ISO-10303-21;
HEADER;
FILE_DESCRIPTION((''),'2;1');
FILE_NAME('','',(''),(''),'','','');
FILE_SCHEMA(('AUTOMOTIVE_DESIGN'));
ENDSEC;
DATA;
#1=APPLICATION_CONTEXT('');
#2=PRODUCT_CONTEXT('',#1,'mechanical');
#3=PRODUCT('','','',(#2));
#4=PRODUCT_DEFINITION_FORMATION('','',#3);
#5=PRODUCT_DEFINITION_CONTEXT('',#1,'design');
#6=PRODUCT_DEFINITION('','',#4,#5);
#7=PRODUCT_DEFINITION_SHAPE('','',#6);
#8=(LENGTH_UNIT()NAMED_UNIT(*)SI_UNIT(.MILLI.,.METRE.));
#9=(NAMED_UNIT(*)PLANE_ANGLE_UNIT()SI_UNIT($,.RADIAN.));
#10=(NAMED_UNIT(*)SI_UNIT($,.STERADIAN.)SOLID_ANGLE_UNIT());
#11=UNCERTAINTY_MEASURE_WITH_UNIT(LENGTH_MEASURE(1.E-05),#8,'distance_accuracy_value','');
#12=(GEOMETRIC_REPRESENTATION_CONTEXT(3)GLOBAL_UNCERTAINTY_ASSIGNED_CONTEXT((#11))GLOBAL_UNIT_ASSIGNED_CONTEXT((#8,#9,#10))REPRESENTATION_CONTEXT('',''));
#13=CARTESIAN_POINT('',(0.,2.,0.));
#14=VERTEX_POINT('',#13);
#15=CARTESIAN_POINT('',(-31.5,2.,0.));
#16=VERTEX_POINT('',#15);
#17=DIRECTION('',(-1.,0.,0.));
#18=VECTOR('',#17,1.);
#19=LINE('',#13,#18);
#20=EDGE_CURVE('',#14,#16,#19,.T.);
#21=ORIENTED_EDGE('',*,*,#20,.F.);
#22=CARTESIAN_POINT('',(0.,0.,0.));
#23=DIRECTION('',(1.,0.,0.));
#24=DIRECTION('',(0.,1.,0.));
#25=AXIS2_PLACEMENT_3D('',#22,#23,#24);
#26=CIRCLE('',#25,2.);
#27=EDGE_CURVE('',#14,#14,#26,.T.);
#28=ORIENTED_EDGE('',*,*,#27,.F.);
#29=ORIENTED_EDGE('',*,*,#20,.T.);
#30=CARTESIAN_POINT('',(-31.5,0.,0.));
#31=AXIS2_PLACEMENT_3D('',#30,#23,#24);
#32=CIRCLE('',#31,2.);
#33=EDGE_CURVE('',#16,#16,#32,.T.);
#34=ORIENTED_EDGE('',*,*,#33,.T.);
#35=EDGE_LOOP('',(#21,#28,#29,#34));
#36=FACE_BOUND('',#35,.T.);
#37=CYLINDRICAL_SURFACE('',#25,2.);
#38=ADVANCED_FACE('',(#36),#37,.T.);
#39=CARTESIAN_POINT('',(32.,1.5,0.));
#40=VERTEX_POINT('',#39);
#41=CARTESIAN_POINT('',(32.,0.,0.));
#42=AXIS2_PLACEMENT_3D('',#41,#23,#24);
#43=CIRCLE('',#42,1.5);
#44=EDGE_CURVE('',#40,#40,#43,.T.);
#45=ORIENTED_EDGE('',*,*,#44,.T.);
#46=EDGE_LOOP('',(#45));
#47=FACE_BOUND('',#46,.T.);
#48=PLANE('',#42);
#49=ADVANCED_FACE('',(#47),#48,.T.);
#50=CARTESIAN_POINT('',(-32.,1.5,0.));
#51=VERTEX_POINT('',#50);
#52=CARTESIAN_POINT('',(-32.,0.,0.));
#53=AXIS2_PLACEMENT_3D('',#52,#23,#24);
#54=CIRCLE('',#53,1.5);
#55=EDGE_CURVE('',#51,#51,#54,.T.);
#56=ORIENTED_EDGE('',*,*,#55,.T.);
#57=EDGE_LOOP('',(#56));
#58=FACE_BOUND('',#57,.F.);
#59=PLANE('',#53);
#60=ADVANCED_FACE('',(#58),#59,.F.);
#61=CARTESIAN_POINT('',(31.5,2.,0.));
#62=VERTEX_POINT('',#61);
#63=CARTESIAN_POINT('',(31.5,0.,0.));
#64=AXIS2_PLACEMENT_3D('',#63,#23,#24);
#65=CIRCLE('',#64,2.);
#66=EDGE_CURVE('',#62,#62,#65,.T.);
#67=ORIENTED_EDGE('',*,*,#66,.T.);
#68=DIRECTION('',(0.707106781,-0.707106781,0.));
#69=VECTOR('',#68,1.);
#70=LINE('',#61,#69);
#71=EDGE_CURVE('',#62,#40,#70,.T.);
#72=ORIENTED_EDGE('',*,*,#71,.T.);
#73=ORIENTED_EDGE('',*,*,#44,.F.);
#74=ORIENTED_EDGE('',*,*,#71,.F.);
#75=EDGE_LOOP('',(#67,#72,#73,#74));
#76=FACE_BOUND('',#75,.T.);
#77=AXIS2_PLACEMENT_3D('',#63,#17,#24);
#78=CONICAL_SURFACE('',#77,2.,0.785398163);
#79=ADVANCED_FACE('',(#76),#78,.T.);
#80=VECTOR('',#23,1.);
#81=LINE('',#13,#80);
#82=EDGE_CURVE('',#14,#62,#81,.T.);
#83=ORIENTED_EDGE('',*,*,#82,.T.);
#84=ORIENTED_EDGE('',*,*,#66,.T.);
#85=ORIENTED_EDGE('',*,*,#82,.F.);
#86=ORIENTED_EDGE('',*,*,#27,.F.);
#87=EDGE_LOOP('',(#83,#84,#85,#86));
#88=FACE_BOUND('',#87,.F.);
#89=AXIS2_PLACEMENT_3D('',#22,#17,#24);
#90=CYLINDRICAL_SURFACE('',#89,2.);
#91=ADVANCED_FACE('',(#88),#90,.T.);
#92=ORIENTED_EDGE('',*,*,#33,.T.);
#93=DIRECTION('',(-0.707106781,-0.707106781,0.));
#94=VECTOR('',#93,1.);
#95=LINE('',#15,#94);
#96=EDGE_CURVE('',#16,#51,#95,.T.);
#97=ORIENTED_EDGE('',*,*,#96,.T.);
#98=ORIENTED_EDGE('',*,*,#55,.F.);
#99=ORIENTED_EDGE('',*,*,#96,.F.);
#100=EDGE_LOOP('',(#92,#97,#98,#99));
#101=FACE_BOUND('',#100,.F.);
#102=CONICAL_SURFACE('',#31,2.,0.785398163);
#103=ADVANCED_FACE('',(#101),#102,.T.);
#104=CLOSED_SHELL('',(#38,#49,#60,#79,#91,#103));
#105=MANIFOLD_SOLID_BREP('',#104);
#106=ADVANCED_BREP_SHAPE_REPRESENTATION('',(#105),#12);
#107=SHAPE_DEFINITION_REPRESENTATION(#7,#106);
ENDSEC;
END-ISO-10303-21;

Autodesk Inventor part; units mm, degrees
ref_plane "YZ Plane" through (0, 0, 0) normal (1, 0, 0) x (0, 1, 0)
ref_plane "XZ Plane" through (0, 0, 0) normal (0, 1, 0) x (-1, 0, 0)
ref_plane "XY Plane" through (0, 0, 0) normal (0, 0, 1) x (1, 0, 0)
sketch "Sketch1" plane through (0, 0, 0) normal (1, 0, 0) x (0, 1, 0)
  circle A0 centre (0, 0) radius 2
  dimension "d0" = 4
extrude "Extrusion1" add sketch "Sketch1" along normal mid plane 64
chamfer "Chamfer1" distance 0.5 angle 45 2 edges at (-32, -2, 0) (32, -2, 0)
equation "\"d1\" = Length"
equation "\"Length\" = 64"
properties part number "WING_FRONT_TIE" material "Plywood"
